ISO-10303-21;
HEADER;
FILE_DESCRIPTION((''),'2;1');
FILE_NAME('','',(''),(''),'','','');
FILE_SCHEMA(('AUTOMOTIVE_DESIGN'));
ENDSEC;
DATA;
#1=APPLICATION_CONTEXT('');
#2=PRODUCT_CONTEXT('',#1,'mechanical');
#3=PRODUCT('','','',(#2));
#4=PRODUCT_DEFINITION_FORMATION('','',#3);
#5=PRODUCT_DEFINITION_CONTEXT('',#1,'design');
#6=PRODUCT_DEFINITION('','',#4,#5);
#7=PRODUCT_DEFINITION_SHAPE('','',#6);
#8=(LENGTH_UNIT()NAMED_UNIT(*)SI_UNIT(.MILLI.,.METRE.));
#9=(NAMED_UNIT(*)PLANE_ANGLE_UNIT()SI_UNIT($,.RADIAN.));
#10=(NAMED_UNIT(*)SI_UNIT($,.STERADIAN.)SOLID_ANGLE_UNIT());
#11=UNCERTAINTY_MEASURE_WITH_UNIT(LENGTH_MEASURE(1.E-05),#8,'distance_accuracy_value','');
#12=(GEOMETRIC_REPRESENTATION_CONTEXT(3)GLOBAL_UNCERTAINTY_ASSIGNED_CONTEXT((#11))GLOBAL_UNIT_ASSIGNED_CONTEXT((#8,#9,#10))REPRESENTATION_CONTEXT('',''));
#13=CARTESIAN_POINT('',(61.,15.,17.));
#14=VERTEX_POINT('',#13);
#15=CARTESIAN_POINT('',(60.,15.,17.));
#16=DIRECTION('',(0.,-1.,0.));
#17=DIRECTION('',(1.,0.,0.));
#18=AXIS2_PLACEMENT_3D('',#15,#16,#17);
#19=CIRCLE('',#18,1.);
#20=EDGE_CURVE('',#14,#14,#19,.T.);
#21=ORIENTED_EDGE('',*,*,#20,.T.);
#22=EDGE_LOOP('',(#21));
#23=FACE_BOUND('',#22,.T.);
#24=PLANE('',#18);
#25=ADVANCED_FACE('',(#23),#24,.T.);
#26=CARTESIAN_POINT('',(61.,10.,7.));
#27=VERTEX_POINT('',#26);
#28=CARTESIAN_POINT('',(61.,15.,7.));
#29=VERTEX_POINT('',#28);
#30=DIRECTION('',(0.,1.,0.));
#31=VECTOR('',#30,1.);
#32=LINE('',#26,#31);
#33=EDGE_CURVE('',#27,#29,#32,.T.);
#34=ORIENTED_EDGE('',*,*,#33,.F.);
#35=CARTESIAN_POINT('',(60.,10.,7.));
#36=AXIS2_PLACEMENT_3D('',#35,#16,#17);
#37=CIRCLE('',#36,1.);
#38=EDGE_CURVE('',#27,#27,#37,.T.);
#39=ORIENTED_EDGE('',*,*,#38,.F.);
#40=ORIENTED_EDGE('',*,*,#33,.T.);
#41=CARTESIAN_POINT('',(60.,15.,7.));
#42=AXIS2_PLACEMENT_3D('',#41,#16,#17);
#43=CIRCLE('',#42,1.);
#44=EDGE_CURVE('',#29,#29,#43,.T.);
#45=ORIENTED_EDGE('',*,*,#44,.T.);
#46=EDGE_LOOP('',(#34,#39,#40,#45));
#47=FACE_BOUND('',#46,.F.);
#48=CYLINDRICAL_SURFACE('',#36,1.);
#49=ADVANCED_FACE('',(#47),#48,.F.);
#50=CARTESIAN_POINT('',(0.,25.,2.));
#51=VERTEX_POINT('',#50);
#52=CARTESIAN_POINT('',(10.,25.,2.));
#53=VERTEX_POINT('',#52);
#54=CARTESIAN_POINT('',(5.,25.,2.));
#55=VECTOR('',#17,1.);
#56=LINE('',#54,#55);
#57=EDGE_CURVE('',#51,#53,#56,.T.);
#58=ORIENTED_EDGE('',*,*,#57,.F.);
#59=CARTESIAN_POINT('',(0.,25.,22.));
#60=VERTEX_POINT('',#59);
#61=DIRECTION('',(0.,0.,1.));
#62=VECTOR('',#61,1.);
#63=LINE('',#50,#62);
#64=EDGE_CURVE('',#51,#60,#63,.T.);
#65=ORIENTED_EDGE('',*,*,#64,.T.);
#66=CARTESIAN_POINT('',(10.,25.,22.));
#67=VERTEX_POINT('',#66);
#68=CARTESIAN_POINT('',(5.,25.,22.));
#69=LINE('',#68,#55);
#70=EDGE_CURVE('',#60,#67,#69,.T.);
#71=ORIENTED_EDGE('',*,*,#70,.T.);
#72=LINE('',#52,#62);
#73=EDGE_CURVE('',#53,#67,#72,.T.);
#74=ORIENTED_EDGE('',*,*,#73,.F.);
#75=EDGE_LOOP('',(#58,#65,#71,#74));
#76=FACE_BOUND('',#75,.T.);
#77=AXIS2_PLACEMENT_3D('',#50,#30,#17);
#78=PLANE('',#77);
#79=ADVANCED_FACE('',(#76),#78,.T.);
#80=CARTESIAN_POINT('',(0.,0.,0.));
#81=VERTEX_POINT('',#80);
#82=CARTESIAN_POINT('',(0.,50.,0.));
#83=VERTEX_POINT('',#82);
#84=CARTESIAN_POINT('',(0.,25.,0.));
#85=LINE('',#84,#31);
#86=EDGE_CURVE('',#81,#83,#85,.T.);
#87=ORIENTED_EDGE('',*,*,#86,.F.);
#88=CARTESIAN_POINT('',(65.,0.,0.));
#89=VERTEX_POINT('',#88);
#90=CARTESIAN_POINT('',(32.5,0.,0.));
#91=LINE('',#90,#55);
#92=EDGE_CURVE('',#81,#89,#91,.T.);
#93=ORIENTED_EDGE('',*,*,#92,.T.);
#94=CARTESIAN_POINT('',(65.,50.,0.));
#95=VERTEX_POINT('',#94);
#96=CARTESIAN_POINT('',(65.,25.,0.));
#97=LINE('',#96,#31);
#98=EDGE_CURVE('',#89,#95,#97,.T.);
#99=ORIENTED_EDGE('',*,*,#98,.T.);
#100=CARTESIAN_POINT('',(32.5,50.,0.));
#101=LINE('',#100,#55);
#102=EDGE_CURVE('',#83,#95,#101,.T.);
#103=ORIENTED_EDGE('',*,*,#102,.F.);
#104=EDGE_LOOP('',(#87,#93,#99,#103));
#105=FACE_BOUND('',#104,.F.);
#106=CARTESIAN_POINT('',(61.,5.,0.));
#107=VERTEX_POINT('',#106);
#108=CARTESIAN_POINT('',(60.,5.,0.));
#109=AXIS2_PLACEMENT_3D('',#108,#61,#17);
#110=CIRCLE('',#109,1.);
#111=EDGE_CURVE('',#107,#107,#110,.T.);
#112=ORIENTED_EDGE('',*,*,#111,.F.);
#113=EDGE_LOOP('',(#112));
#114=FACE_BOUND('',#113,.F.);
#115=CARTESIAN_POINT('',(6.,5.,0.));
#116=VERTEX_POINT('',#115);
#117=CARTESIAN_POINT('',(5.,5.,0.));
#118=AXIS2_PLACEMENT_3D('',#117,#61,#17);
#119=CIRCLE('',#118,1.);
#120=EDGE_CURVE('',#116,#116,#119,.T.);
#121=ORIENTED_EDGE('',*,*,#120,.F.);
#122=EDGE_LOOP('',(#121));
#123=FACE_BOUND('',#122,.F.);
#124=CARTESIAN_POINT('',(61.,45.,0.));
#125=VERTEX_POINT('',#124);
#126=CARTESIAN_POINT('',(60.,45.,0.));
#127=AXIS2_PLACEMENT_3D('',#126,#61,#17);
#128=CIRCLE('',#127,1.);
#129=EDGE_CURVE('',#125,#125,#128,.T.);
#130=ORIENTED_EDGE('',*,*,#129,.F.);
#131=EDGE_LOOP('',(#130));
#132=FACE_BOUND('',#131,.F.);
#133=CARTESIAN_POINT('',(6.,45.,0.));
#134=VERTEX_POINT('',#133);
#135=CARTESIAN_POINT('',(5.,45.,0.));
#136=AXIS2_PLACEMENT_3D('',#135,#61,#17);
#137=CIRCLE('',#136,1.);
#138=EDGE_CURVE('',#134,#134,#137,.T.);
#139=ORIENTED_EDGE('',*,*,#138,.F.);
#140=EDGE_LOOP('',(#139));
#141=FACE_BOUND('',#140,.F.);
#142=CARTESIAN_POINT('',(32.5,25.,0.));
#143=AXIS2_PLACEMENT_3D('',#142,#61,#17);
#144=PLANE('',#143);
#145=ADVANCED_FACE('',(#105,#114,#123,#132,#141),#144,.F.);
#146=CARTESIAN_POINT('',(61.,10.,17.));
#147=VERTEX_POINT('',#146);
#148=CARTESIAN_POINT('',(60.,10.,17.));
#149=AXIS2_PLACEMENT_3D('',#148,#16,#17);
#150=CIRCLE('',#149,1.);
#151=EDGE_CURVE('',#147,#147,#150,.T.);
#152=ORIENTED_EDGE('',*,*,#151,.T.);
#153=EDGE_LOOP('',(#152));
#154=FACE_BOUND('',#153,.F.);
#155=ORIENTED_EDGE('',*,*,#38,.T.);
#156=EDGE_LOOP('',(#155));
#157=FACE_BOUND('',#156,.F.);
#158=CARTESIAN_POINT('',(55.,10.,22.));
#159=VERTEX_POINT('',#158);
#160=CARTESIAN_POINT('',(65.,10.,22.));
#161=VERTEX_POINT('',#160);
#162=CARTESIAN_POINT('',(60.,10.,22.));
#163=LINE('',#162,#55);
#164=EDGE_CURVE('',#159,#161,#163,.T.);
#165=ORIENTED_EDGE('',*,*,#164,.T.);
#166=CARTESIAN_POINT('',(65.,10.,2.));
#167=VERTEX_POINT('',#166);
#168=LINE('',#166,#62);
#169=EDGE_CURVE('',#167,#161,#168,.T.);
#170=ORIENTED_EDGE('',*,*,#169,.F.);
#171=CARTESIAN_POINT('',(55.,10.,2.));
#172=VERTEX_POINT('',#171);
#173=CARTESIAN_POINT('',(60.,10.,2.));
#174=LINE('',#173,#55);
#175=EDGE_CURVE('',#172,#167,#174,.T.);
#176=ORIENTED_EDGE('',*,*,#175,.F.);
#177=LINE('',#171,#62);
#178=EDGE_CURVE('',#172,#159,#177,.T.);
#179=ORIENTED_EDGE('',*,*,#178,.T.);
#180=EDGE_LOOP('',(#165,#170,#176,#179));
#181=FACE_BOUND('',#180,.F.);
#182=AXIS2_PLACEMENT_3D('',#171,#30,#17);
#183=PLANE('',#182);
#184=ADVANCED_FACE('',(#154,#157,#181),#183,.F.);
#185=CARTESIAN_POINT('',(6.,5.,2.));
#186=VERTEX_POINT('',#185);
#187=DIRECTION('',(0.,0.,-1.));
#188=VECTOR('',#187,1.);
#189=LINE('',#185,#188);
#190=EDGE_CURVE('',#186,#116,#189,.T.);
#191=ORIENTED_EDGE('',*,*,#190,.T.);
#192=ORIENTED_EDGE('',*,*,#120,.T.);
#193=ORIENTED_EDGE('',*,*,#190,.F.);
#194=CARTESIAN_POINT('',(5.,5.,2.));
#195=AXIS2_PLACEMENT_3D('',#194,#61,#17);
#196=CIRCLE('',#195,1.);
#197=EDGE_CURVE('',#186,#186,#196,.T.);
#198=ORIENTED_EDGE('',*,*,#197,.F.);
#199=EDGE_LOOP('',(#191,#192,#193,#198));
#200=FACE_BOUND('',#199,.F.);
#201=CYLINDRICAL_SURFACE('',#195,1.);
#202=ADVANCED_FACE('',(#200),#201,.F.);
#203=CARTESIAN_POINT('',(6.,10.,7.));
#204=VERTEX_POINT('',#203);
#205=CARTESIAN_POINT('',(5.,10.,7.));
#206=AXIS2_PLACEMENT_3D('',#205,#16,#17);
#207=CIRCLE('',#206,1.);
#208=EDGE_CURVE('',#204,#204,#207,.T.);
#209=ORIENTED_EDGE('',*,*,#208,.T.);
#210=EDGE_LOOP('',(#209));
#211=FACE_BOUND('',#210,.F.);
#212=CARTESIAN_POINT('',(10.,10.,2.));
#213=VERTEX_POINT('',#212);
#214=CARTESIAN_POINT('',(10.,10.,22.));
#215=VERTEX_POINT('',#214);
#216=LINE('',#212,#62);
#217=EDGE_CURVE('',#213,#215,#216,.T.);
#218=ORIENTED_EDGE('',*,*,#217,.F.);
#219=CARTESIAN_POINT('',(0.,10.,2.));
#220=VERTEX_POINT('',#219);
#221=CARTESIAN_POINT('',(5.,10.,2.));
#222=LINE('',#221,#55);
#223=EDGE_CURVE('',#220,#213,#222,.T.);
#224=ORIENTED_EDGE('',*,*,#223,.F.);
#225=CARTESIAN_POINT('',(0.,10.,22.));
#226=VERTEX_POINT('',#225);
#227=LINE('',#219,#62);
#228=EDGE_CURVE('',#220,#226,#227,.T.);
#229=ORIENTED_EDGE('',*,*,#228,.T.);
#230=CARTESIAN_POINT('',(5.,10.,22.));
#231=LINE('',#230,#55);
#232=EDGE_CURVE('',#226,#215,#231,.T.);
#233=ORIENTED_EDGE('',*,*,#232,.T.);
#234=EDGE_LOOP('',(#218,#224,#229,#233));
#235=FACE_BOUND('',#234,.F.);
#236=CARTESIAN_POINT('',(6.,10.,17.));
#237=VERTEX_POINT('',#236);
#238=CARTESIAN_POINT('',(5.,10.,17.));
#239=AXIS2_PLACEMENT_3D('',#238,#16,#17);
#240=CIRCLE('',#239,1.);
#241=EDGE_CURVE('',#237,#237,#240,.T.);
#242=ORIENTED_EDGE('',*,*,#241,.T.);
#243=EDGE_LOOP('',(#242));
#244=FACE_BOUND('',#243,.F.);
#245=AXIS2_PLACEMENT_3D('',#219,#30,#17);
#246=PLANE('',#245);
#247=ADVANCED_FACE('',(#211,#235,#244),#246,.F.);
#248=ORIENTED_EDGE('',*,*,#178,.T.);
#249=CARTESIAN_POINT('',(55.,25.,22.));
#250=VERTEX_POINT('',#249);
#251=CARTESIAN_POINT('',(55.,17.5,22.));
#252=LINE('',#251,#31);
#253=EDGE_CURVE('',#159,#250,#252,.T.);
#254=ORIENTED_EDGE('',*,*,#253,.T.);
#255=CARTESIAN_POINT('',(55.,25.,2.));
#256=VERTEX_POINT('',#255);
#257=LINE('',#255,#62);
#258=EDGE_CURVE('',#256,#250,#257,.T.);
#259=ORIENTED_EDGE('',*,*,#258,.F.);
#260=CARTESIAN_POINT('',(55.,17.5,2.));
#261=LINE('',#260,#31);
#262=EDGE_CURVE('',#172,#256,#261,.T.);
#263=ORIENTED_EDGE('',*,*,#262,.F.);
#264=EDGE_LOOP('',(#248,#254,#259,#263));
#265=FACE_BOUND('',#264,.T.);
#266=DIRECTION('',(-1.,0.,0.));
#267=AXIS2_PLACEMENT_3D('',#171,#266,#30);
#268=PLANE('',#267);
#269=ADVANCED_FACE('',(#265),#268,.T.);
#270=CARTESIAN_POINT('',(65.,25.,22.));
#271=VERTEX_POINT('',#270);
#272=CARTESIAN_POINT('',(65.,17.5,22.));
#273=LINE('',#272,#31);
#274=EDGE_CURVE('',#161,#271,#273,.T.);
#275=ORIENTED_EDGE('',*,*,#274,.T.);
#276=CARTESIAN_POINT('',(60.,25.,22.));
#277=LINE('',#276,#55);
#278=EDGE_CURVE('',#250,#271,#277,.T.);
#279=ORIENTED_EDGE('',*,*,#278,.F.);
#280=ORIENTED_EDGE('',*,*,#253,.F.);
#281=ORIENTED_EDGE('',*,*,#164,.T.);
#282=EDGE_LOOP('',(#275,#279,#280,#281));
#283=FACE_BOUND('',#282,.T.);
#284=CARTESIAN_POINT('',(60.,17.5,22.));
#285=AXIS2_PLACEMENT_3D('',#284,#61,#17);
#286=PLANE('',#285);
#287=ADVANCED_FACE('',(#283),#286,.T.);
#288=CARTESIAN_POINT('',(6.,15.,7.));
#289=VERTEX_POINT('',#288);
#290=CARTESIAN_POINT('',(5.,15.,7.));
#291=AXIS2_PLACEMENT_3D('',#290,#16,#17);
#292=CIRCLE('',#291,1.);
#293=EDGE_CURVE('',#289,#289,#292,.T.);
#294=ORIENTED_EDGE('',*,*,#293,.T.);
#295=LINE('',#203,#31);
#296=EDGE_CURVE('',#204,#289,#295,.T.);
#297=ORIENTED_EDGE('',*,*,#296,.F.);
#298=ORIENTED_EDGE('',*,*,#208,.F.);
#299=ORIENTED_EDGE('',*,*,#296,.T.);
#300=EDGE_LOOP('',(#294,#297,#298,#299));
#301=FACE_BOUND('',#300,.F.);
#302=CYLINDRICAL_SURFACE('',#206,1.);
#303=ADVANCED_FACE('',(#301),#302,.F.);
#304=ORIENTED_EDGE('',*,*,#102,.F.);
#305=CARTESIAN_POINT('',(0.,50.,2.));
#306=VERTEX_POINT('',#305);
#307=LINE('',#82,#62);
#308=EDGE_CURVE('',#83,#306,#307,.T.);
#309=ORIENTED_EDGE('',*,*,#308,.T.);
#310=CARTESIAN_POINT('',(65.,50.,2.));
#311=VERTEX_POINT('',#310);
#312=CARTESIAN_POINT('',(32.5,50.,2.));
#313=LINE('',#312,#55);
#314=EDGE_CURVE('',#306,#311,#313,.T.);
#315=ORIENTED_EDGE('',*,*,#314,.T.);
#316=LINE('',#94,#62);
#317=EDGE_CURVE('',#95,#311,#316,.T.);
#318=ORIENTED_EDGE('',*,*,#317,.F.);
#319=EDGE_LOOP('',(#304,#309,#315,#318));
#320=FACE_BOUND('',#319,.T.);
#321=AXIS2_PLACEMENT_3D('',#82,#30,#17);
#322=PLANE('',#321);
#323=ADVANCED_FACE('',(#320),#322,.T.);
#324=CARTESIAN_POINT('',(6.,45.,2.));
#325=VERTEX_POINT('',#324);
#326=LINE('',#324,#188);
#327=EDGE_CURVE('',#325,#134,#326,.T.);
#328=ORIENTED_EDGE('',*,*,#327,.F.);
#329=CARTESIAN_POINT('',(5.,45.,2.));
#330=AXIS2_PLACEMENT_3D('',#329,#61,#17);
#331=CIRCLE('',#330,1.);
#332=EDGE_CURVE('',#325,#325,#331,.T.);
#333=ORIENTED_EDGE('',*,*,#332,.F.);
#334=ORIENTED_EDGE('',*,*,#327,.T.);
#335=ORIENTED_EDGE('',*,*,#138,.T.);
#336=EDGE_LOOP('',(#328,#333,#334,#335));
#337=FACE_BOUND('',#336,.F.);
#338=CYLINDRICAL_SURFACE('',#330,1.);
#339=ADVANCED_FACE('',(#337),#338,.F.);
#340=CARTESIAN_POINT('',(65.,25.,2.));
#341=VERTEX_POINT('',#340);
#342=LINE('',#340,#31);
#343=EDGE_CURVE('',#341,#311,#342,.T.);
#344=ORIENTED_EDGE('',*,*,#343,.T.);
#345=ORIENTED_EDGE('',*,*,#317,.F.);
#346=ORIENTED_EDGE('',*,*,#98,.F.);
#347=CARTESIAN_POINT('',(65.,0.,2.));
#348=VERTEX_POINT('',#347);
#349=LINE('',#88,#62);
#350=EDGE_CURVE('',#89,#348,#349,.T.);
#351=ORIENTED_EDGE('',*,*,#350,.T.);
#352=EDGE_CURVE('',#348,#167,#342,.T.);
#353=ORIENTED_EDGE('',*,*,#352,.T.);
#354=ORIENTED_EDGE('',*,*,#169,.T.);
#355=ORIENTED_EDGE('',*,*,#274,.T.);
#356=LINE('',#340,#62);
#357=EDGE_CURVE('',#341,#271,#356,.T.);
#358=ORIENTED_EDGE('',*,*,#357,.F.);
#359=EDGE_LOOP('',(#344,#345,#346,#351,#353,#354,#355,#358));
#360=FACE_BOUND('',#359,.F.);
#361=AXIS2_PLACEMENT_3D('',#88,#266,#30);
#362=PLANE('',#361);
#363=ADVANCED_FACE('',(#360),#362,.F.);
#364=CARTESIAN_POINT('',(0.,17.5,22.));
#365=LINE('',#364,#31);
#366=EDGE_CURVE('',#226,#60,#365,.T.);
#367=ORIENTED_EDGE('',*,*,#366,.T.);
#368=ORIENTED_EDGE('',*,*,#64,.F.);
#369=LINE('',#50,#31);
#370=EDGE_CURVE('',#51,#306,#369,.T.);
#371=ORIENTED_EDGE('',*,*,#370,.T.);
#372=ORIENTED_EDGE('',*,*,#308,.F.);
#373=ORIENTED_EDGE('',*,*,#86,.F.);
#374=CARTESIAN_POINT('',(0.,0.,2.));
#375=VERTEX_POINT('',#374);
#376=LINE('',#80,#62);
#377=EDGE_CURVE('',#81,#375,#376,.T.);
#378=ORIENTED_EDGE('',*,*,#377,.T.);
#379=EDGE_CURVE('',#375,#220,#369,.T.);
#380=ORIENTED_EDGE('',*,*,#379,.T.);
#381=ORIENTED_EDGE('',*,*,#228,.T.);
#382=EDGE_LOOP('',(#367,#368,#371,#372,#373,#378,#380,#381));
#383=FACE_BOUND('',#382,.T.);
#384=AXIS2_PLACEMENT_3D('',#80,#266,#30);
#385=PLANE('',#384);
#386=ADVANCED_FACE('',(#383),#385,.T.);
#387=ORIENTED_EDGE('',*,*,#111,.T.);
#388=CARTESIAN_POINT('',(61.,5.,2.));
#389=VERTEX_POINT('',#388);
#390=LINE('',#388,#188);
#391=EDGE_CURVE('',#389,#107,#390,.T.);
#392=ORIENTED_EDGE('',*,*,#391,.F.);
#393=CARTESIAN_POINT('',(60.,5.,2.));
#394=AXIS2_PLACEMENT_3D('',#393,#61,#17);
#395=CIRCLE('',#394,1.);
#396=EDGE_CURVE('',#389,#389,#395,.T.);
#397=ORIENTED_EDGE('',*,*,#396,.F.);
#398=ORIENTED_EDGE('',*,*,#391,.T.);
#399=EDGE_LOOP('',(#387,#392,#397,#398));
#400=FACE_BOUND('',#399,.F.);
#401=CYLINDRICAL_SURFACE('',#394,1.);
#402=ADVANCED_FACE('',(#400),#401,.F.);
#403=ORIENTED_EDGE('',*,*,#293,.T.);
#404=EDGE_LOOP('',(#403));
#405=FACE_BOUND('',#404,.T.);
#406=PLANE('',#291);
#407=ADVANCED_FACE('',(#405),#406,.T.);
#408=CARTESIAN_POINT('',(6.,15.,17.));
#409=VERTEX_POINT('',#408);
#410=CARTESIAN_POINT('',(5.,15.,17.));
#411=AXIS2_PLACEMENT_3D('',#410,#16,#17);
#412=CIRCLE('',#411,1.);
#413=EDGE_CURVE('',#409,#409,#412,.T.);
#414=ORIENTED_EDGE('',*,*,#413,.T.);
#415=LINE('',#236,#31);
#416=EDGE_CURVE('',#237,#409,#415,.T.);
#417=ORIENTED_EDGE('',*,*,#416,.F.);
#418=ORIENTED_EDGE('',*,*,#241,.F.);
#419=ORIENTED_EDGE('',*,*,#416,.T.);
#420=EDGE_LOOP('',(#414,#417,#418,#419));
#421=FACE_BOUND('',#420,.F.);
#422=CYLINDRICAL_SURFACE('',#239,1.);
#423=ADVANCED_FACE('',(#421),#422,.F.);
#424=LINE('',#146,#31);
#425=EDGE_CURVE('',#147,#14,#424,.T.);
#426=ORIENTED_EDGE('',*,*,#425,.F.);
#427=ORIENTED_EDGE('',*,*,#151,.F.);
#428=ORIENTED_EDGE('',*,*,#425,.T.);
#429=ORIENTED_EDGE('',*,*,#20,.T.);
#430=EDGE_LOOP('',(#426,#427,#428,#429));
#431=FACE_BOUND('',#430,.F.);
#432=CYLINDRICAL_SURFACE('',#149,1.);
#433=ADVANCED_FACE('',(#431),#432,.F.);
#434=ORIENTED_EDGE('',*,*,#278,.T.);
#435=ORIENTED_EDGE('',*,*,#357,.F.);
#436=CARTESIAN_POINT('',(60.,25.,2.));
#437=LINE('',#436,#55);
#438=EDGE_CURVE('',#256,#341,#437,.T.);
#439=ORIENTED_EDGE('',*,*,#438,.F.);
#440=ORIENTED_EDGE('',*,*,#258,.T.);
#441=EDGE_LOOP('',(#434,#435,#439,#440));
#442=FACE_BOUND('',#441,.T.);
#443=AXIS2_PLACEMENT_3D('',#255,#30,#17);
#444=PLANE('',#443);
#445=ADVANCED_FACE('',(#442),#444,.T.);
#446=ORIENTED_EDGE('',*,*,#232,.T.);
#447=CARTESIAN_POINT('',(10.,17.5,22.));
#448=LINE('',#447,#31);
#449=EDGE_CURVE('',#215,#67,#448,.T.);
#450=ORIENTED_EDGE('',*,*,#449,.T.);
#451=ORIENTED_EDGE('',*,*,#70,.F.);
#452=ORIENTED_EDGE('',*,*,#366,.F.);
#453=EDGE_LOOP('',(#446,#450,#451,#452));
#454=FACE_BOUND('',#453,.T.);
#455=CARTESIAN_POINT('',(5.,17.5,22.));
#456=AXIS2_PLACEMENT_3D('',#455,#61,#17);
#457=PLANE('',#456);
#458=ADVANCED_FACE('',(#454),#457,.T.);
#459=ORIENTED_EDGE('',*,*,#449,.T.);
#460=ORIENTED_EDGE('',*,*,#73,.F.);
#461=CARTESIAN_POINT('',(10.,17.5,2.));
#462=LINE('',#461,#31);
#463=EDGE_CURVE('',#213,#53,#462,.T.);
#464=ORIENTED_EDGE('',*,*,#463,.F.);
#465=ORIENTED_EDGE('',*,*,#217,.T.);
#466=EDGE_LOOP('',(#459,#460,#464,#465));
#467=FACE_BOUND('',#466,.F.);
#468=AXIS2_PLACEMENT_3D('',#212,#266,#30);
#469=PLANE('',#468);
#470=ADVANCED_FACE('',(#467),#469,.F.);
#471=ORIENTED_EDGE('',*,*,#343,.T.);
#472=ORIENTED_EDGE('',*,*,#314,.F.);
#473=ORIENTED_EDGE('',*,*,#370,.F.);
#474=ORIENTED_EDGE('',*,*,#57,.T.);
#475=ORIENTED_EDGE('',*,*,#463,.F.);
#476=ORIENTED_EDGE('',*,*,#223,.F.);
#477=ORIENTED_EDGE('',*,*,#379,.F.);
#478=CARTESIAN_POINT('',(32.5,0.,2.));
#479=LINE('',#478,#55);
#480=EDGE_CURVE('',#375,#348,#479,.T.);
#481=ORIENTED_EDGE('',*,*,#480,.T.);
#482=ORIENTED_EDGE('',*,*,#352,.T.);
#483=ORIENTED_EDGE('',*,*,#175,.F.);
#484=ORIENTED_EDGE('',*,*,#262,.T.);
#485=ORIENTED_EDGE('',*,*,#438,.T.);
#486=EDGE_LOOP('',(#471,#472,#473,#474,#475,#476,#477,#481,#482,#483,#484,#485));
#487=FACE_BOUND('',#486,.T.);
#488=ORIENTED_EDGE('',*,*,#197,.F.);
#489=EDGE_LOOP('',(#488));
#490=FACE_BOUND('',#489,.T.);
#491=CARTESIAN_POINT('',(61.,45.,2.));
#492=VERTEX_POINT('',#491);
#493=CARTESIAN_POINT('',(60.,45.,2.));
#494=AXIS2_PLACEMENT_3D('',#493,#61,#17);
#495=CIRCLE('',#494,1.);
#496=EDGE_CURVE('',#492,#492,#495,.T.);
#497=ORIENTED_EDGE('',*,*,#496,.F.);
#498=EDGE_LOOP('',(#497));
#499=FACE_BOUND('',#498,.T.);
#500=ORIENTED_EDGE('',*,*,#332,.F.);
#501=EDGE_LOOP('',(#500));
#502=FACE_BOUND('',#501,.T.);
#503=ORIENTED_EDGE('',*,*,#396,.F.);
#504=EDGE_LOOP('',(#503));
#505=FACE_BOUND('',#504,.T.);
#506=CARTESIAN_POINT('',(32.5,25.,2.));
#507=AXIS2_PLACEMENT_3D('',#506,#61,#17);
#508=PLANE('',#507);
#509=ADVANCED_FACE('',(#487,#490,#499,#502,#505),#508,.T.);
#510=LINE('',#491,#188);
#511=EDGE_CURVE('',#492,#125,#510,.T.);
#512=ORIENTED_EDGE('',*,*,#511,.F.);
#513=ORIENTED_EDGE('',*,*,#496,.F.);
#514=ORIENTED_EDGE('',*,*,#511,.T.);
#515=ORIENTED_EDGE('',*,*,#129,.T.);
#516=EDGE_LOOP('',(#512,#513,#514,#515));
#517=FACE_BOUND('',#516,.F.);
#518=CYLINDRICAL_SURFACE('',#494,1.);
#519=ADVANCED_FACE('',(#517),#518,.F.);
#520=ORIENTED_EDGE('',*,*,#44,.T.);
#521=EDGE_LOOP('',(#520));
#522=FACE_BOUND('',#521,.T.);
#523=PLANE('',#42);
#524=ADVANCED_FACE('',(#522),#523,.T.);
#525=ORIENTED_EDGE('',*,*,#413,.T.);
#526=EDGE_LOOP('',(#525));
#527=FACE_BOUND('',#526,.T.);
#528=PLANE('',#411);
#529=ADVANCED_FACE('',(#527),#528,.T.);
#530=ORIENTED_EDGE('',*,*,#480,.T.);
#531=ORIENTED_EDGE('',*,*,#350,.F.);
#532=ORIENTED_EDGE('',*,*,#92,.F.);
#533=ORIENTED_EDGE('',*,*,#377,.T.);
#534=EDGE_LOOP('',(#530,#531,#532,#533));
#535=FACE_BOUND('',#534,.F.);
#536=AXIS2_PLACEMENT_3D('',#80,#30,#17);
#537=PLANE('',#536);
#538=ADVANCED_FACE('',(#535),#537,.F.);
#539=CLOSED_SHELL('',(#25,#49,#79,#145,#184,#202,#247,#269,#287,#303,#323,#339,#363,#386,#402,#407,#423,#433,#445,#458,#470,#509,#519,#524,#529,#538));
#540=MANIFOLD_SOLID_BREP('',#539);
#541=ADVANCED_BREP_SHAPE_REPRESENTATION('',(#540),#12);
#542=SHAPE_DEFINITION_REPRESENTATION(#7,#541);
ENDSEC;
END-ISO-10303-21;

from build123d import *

# Parameters (mm, degrees)
F0_W     = 65
F0_H     = 50
F1_DEPTH = 2
F2_W     = 10
F2_H     = 15
F3_DEPTH = 20
F4_R     = 1
F5_DEPTH = 5
F6_R     = 1
F7_DEPTH = 25


with BuildPart() as f1:
    # F0 (on Top) → F1 (new body)
    with BuildSketch(Plane.XY):
        with Locations((32.5, 25)):
            Rectangle(F0_W, F0_H)
    extrude(amount=F1_DEPTH)

    # F2 (on face) → F3 (join)
    with BuildSketch(Plane.XY.offset(2)):
        with Locations((5, 17.5)):
            Rectangle(F2_W, F2_H)
        with Locations((60, 17.5)):
            Rectangle(F2_W, F2_H)
    extrude(amount=F3_DEPTH)

    # F4 (on face) → F5 (cut)
    with BuildSketch(Plane.XZ.offset(-10)):
        with Locations((5, 17)):
            Circle(F4_R)
        with Locations((5, 7)):
            Circle(F4_R)
        with Locations((60, 17)):
            Circle(F4_R)
        with Locations((60, 7)):
            Circle(F4_R)
    extrude(amount=-F5_DEPTH, mode=Mode.SUBTRACT)

    # F6 (on face) → F7 (cut)
    with BuildSketch(Plane.XY.offset(2)):
        with Locations((5, 45)):
            Circle(F6_R)
        with Locations((60, 45)):
            Circle(F6_R)
        with Locations((60, 5)):
            Circle(F6_R)
        with Locations((5, 5)):
            Circle(F6_R)
    extrude(amount=-F7_DEPTH, mode=Mode.SUBTRACT)


solid = f1.part
